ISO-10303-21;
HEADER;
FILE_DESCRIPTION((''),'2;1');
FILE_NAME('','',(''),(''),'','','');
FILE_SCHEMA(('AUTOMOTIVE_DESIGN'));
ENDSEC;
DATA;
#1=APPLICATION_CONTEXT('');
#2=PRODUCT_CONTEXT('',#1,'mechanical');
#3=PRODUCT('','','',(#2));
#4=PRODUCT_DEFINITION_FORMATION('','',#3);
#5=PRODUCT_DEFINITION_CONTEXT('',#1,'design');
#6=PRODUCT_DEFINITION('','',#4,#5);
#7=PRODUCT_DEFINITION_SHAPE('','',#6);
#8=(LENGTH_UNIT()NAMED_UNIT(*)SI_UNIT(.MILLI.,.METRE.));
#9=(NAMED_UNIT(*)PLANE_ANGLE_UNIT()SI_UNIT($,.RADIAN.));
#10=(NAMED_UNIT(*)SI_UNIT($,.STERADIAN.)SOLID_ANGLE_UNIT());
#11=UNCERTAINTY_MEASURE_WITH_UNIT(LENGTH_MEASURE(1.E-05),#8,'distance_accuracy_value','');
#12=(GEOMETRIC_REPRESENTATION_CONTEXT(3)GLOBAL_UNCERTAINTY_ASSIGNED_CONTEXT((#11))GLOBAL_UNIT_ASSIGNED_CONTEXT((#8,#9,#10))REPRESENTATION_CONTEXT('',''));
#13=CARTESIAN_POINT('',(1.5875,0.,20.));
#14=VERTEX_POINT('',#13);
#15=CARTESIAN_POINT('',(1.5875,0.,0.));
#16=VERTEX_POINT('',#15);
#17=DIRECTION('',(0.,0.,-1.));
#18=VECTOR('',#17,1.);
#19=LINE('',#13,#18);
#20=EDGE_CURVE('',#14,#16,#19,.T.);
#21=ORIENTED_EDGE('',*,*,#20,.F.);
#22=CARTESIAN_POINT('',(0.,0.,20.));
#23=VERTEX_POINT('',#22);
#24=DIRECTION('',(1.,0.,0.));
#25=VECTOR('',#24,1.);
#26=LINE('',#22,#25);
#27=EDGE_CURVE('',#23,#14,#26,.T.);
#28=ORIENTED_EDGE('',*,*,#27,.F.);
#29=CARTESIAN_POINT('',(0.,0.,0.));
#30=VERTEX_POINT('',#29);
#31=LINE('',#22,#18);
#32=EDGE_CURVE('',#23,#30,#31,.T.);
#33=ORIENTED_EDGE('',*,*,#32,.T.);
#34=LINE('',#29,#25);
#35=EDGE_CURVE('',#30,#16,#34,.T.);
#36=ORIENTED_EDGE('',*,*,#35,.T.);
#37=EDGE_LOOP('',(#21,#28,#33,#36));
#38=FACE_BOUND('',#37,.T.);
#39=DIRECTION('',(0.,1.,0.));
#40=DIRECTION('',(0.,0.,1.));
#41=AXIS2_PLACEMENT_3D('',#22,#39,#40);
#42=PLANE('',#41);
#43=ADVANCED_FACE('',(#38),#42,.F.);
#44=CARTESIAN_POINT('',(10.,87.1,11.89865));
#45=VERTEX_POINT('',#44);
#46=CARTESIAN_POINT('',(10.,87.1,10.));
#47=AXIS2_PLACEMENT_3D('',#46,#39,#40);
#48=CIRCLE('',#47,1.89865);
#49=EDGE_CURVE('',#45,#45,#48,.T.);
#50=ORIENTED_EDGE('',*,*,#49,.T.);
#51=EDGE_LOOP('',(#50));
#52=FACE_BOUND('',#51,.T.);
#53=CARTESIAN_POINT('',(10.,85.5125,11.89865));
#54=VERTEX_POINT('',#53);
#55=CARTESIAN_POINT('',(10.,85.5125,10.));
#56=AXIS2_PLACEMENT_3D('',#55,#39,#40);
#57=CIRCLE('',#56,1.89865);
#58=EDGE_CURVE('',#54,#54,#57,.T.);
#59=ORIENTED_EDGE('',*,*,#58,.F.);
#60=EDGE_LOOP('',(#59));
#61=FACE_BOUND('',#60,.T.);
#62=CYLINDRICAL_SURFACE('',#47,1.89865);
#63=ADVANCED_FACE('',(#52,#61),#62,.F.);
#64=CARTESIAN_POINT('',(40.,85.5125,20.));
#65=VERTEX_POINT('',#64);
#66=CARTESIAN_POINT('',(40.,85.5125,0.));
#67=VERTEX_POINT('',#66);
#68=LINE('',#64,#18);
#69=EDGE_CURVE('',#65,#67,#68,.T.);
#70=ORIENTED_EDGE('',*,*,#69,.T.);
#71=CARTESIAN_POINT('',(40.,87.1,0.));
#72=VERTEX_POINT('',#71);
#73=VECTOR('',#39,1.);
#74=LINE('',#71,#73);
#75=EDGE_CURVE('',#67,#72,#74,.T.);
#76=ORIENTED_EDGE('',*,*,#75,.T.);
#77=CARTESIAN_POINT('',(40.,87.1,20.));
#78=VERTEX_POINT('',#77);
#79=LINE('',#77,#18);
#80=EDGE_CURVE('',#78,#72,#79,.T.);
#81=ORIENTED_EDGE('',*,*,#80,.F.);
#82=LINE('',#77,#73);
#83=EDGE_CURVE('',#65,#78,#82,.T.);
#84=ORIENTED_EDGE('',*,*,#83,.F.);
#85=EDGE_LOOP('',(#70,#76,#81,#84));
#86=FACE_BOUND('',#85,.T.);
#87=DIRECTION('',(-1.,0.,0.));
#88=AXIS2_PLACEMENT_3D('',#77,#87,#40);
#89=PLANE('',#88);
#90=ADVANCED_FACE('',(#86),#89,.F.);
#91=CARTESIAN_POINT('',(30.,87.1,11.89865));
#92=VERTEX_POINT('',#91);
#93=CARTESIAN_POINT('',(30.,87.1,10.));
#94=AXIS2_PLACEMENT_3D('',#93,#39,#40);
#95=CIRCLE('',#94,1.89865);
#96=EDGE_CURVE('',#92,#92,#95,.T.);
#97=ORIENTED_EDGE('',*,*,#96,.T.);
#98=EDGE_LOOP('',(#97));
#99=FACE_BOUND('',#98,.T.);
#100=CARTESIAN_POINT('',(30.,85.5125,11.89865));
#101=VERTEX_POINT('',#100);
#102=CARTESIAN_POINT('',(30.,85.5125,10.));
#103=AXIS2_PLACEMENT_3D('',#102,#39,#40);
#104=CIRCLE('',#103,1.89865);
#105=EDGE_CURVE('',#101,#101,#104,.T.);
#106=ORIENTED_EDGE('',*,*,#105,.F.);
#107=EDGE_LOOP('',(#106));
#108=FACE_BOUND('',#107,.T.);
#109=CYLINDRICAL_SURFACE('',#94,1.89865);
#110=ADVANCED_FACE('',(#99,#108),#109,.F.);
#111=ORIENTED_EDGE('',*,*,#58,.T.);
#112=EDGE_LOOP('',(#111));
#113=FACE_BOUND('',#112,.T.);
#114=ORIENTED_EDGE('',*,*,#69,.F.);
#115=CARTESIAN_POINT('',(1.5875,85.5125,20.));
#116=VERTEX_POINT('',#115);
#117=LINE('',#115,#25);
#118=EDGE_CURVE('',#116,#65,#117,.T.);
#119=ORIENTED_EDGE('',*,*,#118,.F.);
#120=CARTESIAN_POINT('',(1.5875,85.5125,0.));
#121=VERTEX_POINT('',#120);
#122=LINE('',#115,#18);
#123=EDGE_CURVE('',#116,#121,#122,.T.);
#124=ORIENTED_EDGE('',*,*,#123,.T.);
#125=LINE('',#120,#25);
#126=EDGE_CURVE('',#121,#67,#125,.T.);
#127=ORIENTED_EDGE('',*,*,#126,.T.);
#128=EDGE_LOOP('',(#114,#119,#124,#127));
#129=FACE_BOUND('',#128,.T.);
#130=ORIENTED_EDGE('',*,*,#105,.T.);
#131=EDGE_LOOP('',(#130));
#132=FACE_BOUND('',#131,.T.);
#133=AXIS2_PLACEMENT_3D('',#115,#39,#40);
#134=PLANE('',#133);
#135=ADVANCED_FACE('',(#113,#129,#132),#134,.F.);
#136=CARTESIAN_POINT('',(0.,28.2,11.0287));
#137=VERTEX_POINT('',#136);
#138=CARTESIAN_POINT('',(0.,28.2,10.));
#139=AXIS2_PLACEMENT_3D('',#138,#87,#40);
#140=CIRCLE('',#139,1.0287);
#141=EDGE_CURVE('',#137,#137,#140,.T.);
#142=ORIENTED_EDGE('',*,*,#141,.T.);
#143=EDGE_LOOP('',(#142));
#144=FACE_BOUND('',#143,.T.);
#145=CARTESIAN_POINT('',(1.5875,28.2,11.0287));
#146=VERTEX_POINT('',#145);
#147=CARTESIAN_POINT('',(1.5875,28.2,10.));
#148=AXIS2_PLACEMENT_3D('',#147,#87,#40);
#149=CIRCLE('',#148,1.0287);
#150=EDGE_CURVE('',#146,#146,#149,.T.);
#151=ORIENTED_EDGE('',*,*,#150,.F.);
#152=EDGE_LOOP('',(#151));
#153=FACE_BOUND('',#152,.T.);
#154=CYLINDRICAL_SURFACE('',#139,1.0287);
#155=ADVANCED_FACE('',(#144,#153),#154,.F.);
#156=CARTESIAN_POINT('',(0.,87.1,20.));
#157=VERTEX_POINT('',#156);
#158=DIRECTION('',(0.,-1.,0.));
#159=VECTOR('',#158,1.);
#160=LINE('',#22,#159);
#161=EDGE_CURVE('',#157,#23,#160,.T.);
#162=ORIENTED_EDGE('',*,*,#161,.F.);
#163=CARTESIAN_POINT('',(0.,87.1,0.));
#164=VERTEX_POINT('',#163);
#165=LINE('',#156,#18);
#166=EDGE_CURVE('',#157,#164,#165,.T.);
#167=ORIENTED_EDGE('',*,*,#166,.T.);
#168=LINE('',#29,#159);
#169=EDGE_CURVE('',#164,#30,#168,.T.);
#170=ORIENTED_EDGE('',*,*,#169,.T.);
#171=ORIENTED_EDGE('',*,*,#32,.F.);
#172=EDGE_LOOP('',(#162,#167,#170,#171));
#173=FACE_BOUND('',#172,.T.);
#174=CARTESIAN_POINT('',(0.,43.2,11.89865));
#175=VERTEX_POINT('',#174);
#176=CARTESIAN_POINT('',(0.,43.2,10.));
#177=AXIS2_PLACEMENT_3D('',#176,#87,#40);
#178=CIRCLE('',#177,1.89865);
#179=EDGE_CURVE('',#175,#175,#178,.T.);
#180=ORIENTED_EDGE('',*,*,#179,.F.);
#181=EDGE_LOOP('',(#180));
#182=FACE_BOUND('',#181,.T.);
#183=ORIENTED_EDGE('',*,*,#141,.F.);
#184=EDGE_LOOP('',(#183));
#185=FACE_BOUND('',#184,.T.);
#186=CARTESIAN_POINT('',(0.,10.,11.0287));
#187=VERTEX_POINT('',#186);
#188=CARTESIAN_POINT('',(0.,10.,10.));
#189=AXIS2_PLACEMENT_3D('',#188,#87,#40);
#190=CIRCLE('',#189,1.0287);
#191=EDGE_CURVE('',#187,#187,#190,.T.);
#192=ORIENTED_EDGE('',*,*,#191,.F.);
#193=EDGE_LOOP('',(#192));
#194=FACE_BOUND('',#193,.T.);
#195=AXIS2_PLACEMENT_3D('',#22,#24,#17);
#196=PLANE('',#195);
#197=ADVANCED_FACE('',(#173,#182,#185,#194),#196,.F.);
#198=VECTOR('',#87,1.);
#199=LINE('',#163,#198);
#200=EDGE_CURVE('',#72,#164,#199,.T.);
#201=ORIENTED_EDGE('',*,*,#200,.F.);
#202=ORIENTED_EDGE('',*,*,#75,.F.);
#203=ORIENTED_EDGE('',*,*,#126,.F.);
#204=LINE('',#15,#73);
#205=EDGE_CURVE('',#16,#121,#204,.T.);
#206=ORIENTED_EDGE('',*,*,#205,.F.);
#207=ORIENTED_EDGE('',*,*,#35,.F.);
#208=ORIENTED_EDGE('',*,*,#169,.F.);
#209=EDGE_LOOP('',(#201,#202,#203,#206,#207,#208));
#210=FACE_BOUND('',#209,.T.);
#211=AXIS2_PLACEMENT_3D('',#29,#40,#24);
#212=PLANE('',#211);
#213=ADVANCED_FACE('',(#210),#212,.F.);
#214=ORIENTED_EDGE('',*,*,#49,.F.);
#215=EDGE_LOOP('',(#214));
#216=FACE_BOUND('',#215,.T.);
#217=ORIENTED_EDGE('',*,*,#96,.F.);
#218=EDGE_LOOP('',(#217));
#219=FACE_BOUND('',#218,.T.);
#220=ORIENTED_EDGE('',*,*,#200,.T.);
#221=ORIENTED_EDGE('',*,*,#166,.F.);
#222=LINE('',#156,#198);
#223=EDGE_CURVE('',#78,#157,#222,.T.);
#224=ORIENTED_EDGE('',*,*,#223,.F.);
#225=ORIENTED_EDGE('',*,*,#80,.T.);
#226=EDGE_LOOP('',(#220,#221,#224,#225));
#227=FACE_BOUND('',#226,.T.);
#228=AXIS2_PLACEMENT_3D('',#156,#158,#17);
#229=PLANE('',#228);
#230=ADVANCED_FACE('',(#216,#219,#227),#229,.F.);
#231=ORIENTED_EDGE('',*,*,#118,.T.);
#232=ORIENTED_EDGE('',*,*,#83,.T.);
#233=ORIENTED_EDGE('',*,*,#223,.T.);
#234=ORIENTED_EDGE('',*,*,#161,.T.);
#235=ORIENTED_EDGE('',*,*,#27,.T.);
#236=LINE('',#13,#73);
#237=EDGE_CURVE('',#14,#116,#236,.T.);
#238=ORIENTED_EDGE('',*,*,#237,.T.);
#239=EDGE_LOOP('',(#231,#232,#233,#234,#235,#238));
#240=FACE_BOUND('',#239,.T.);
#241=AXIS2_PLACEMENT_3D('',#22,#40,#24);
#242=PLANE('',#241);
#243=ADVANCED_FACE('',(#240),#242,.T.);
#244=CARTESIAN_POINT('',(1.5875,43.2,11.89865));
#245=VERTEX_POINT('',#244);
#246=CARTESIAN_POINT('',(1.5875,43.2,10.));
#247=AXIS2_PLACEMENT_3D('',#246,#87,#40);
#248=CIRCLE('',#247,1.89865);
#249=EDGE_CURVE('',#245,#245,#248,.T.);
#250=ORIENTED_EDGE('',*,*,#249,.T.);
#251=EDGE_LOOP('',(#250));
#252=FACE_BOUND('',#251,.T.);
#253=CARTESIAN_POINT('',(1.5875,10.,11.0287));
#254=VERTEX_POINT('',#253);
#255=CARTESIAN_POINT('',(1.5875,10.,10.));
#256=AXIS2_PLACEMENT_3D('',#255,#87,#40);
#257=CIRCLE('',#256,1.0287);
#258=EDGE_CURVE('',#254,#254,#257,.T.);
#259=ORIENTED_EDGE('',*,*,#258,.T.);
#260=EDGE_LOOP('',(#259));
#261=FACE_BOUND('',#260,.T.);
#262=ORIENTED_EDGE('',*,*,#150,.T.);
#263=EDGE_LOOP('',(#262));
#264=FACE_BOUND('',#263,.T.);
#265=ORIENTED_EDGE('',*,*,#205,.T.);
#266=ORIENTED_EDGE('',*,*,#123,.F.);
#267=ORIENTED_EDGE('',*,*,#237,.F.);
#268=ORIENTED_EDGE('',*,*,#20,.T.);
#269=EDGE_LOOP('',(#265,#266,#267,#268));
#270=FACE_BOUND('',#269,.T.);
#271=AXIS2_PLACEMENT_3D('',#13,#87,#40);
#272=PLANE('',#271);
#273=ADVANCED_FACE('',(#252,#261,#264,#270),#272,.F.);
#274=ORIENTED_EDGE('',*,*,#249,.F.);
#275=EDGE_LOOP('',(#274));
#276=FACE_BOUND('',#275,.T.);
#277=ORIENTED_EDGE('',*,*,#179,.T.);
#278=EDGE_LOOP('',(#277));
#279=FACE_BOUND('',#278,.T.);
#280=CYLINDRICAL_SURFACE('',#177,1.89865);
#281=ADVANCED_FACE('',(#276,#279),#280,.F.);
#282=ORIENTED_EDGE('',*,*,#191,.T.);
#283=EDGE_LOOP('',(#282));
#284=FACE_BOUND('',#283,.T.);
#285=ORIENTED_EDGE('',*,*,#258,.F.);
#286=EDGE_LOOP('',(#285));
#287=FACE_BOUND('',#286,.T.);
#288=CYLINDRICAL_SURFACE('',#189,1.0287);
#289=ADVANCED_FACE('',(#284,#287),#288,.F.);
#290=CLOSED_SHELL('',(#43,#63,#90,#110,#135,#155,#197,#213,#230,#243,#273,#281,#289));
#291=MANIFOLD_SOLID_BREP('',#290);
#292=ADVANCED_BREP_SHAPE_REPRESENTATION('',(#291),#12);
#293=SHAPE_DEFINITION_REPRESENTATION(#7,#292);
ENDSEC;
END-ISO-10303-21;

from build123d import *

# Parameters (mm, degrees)
BOSS_EXTRUDE1_DEPTH   = 20
F_6_CLEARANCE_HOLE1_D = 3.7973
F_1_CLEARANCE_HOLE2_D = 2.0574
F_6_CLEARANCE_HOLE2_D = 3.7973


with BuildPart() as part:
    # Sketch2 → Boss-Extrude1 (new body)
    with BuildSketch(Plane.XY):
        Polygon((0, 0), (0, 87.1), (40, 87.1), (40, 85.5125), (1.5875, 85.5125), (1.5875, 0), align=None)
    extrude(amount=BOSS_EXTRUDE1_DEPTH)

    # #6 Clearance Hole1 (through all)
    with Locations(Plane(origin=(0, 87.1, 0), x_dir=(1, 0, 0), z_dir=(0, 1, 0))):
        with Locations((10, -10), (30, -10)):
            Hole(F_6_CLEARANCE_HOLE1_D / 2)

    # #1 Clearance Hole2 (through all)
    with Locations(Plane.ZY):
        with Locations((10, 10), (10, 28.2)):
            Hole(F_1_CLEARANCE_HOLE2_D / 2)

    # #6 Clearance Hole2 (through all)
    with Locations(Plane.ZY):
        with Locations((10, 43.2)):
            Hole(F_6_CLEARANCE_HOLE2_D / 2)


solid = part.part
